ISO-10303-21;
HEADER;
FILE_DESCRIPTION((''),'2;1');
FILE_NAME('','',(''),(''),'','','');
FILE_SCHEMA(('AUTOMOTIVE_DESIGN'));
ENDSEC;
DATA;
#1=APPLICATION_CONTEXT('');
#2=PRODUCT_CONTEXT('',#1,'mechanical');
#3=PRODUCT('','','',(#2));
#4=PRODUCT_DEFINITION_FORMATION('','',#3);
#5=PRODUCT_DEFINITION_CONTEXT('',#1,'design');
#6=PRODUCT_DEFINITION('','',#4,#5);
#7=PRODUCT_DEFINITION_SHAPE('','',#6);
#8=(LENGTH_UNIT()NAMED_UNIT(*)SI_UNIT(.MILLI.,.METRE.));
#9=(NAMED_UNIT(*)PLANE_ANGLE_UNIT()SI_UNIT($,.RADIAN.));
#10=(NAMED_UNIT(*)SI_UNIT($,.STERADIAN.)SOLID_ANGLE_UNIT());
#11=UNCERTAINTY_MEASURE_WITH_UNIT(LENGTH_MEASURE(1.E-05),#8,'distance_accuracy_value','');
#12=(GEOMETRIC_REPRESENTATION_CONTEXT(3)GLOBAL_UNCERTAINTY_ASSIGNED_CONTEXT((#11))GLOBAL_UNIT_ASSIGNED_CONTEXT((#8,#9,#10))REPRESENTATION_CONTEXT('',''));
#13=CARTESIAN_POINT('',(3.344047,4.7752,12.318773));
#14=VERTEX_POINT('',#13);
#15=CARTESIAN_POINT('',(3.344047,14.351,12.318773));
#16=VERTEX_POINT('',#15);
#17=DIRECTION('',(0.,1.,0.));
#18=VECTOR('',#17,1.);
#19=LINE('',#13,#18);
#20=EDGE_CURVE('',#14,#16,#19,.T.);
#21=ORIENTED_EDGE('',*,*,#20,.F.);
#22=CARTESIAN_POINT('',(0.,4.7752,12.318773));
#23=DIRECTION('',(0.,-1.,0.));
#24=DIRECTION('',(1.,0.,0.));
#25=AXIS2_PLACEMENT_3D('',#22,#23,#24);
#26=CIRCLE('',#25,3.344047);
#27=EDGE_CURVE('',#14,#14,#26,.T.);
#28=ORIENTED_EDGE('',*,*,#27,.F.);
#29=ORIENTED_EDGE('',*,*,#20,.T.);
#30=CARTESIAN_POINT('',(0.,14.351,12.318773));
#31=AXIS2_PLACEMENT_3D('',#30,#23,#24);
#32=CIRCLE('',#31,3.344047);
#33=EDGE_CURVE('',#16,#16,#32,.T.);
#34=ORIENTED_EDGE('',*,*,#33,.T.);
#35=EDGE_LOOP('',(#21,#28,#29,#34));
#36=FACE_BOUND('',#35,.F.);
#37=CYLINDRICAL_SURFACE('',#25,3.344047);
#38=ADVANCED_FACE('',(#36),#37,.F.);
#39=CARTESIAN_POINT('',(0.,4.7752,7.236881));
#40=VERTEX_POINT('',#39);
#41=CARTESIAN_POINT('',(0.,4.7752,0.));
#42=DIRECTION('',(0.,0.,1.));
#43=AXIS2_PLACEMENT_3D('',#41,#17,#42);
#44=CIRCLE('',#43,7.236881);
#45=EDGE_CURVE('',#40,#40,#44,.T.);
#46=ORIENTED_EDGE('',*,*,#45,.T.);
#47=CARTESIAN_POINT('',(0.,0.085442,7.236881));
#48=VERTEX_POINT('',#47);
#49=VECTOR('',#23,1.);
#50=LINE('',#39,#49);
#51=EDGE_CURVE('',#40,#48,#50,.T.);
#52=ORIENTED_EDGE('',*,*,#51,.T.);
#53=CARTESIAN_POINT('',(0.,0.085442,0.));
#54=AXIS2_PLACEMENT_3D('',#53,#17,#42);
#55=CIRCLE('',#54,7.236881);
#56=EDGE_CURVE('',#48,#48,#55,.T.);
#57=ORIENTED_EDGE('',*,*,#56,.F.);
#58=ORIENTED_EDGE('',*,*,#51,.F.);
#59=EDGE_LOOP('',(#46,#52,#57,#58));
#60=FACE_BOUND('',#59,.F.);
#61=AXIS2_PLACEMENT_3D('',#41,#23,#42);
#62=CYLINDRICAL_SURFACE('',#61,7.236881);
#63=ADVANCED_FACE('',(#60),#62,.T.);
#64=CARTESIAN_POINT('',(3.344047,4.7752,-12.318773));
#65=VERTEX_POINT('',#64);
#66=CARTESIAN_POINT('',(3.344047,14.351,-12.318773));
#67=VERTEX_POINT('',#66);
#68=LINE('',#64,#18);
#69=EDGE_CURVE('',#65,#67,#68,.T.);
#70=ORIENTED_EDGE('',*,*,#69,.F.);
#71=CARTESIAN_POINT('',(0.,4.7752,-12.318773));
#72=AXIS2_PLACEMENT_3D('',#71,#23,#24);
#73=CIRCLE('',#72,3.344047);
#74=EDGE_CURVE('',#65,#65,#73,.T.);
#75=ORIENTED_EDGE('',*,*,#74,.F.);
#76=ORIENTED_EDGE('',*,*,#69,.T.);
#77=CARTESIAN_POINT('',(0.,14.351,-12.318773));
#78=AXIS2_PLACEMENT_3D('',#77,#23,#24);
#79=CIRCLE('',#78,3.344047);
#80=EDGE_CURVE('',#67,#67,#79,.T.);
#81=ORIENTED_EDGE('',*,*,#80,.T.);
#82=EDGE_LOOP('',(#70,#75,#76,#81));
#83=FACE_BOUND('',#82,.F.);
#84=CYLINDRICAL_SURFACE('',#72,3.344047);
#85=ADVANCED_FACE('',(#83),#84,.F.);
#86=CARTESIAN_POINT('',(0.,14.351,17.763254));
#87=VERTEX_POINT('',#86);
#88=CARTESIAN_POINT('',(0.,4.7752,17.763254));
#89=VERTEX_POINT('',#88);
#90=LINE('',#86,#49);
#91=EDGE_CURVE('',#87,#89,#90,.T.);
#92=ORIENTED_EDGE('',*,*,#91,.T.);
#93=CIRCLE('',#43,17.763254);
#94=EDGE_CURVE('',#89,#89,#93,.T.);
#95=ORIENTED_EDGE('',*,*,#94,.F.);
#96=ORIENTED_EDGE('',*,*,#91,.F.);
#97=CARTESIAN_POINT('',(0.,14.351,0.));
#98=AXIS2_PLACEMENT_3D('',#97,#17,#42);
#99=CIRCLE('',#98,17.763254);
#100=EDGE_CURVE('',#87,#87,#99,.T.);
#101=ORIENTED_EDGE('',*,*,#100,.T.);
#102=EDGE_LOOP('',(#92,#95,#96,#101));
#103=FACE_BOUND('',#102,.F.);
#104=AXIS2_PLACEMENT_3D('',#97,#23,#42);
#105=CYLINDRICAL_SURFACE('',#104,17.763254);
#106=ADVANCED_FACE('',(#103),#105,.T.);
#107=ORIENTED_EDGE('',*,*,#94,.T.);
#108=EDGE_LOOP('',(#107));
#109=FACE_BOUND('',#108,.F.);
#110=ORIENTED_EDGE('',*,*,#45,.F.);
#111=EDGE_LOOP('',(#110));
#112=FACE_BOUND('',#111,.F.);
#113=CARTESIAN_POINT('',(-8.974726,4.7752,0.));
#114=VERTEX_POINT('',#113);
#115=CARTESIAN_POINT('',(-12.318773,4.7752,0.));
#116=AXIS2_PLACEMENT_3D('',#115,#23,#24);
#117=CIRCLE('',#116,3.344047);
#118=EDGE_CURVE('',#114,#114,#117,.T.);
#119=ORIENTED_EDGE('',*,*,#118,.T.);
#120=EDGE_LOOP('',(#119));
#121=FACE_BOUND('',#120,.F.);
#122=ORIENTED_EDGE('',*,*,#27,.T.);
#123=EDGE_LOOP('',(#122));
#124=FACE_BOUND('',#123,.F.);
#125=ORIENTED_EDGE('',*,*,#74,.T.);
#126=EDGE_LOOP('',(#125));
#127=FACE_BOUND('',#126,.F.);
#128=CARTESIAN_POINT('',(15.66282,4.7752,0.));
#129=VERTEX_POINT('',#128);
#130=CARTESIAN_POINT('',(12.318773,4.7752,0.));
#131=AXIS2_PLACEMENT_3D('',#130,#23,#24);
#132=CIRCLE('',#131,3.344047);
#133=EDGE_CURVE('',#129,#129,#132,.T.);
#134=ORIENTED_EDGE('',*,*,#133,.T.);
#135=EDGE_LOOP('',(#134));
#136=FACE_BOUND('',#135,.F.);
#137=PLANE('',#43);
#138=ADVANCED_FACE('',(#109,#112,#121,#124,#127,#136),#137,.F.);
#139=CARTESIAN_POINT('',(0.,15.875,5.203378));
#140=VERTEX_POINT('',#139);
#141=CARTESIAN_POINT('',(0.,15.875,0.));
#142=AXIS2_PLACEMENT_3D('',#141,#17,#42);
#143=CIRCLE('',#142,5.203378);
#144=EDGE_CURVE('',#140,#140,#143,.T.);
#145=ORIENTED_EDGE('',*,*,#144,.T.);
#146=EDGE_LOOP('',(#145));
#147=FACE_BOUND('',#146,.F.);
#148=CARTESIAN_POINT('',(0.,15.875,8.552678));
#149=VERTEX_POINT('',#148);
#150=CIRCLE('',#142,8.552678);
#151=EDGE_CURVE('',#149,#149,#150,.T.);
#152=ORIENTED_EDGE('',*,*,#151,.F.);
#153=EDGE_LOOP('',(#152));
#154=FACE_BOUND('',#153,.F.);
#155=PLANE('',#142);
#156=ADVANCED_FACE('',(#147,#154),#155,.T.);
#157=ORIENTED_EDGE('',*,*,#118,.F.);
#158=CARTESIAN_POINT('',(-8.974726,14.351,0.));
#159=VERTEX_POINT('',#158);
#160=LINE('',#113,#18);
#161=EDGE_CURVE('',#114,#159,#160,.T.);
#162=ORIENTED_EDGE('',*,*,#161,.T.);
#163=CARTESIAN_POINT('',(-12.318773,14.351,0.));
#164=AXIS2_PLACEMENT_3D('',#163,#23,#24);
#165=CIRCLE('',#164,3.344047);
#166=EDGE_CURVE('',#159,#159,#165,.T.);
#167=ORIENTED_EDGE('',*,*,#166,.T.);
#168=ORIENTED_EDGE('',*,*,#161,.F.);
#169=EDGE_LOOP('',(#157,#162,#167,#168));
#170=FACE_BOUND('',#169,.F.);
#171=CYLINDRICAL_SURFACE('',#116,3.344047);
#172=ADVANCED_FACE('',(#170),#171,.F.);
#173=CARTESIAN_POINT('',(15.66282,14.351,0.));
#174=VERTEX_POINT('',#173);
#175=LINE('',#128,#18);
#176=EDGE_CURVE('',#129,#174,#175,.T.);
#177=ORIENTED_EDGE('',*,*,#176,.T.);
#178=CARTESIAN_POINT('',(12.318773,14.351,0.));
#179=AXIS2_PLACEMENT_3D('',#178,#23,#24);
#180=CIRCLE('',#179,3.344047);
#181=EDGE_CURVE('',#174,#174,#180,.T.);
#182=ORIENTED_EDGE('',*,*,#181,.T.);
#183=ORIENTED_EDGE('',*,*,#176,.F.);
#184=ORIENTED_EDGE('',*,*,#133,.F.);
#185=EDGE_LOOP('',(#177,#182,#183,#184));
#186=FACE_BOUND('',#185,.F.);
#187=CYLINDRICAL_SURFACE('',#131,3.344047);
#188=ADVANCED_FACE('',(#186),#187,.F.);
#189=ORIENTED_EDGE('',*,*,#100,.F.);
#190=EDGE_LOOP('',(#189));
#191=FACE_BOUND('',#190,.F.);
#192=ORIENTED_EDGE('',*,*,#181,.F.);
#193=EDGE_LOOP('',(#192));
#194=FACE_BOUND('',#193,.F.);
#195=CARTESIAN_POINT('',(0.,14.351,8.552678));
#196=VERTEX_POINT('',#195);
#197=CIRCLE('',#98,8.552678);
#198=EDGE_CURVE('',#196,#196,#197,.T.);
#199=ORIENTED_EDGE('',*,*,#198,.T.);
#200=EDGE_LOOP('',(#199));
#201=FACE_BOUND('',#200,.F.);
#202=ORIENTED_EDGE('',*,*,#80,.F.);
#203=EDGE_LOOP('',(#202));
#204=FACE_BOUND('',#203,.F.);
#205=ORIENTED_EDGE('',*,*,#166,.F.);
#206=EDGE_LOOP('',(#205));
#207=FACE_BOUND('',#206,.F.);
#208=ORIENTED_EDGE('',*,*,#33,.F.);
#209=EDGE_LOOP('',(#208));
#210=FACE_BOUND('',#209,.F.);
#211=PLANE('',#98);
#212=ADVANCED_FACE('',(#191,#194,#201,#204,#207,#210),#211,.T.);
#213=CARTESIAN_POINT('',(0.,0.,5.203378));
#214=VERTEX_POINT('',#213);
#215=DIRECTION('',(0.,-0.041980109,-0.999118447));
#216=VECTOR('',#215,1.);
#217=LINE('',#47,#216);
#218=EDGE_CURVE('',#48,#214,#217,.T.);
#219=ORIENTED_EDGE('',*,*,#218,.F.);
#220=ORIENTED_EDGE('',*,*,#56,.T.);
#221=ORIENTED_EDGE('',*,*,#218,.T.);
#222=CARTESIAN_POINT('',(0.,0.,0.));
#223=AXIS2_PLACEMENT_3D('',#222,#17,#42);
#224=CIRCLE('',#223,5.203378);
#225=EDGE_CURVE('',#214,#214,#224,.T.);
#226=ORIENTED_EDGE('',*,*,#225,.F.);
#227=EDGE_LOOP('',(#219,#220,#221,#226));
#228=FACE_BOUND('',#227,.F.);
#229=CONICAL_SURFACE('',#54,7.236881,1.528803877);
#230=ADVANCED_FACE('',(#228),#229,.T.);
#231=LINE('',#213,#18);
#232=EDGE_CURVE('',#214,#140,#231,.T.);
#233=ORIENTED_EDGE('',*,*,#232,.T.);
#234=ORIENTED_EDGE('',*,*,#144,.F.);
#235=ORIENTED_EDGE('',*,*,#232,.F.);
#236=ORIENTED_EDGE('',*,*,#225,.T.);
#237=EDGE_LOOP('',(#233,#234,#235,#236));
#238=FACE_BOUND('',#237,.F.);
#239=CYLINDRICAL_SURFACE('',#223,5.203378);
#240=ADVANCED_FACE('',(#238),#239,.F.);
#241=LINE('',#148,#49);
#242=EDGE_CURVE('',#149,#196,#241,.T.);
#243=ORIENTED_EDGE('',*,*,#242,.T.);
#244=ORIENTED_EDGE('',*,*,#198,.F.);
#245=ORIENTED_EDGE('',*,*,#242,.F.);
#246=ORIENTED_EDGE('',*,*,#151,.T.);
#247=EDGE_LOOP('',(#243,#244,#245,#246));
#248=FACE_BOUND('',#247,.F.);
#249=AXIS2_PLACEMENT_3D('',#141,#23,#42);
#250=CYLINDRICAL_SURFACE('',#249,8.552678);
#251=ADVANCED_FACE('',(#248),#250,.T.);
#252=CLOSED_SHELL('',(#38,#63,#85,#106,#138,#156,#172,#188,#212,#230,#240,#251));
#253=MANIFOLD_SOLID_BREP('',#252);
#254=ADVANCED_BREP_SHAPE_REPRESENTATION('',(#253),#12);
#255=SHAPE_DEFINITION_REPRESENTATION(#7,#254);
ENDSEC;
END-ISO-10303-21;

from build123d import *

# Parameters (mm, degrees)
F2_R     = 3.344047
F3_DEPTH = 11.1008


with BuildPart() as f1:
    # F0 (on Right) → F1 (revolve)
    with BuildSketch(Plane.YZ):
        Polygon((0.085442, 7.236881), (0, 5.203378), (15.875, 5.203378), (15.875, 8.552678), (14.351, 8.552678), (14.351, 17.763254), (4.7752, 17.763254), (4.7752, 7.236881), align=None)
    revolve(axis=Axis((0, -0.811693, 0), (0, 1, 0)))

    # F2 (on face) → F3 (cut, through all)
    with BuildSketch(Plane.XZ.offset(-4.7752)):
        with Locations((0, 12.318773)):
            Circle(F2_R)
        with Locations((-12.318773, 0)):
            Circle(F2_R)
        with Locations((0, -12.318773)):
            Circle(F2_R)
        with Locations((12.318773, 0)):
            Circle(F2_R)
    extrude(amount=-F3_DEPTH, mode=Mode.SUBTRACT)


solid = f1.part
